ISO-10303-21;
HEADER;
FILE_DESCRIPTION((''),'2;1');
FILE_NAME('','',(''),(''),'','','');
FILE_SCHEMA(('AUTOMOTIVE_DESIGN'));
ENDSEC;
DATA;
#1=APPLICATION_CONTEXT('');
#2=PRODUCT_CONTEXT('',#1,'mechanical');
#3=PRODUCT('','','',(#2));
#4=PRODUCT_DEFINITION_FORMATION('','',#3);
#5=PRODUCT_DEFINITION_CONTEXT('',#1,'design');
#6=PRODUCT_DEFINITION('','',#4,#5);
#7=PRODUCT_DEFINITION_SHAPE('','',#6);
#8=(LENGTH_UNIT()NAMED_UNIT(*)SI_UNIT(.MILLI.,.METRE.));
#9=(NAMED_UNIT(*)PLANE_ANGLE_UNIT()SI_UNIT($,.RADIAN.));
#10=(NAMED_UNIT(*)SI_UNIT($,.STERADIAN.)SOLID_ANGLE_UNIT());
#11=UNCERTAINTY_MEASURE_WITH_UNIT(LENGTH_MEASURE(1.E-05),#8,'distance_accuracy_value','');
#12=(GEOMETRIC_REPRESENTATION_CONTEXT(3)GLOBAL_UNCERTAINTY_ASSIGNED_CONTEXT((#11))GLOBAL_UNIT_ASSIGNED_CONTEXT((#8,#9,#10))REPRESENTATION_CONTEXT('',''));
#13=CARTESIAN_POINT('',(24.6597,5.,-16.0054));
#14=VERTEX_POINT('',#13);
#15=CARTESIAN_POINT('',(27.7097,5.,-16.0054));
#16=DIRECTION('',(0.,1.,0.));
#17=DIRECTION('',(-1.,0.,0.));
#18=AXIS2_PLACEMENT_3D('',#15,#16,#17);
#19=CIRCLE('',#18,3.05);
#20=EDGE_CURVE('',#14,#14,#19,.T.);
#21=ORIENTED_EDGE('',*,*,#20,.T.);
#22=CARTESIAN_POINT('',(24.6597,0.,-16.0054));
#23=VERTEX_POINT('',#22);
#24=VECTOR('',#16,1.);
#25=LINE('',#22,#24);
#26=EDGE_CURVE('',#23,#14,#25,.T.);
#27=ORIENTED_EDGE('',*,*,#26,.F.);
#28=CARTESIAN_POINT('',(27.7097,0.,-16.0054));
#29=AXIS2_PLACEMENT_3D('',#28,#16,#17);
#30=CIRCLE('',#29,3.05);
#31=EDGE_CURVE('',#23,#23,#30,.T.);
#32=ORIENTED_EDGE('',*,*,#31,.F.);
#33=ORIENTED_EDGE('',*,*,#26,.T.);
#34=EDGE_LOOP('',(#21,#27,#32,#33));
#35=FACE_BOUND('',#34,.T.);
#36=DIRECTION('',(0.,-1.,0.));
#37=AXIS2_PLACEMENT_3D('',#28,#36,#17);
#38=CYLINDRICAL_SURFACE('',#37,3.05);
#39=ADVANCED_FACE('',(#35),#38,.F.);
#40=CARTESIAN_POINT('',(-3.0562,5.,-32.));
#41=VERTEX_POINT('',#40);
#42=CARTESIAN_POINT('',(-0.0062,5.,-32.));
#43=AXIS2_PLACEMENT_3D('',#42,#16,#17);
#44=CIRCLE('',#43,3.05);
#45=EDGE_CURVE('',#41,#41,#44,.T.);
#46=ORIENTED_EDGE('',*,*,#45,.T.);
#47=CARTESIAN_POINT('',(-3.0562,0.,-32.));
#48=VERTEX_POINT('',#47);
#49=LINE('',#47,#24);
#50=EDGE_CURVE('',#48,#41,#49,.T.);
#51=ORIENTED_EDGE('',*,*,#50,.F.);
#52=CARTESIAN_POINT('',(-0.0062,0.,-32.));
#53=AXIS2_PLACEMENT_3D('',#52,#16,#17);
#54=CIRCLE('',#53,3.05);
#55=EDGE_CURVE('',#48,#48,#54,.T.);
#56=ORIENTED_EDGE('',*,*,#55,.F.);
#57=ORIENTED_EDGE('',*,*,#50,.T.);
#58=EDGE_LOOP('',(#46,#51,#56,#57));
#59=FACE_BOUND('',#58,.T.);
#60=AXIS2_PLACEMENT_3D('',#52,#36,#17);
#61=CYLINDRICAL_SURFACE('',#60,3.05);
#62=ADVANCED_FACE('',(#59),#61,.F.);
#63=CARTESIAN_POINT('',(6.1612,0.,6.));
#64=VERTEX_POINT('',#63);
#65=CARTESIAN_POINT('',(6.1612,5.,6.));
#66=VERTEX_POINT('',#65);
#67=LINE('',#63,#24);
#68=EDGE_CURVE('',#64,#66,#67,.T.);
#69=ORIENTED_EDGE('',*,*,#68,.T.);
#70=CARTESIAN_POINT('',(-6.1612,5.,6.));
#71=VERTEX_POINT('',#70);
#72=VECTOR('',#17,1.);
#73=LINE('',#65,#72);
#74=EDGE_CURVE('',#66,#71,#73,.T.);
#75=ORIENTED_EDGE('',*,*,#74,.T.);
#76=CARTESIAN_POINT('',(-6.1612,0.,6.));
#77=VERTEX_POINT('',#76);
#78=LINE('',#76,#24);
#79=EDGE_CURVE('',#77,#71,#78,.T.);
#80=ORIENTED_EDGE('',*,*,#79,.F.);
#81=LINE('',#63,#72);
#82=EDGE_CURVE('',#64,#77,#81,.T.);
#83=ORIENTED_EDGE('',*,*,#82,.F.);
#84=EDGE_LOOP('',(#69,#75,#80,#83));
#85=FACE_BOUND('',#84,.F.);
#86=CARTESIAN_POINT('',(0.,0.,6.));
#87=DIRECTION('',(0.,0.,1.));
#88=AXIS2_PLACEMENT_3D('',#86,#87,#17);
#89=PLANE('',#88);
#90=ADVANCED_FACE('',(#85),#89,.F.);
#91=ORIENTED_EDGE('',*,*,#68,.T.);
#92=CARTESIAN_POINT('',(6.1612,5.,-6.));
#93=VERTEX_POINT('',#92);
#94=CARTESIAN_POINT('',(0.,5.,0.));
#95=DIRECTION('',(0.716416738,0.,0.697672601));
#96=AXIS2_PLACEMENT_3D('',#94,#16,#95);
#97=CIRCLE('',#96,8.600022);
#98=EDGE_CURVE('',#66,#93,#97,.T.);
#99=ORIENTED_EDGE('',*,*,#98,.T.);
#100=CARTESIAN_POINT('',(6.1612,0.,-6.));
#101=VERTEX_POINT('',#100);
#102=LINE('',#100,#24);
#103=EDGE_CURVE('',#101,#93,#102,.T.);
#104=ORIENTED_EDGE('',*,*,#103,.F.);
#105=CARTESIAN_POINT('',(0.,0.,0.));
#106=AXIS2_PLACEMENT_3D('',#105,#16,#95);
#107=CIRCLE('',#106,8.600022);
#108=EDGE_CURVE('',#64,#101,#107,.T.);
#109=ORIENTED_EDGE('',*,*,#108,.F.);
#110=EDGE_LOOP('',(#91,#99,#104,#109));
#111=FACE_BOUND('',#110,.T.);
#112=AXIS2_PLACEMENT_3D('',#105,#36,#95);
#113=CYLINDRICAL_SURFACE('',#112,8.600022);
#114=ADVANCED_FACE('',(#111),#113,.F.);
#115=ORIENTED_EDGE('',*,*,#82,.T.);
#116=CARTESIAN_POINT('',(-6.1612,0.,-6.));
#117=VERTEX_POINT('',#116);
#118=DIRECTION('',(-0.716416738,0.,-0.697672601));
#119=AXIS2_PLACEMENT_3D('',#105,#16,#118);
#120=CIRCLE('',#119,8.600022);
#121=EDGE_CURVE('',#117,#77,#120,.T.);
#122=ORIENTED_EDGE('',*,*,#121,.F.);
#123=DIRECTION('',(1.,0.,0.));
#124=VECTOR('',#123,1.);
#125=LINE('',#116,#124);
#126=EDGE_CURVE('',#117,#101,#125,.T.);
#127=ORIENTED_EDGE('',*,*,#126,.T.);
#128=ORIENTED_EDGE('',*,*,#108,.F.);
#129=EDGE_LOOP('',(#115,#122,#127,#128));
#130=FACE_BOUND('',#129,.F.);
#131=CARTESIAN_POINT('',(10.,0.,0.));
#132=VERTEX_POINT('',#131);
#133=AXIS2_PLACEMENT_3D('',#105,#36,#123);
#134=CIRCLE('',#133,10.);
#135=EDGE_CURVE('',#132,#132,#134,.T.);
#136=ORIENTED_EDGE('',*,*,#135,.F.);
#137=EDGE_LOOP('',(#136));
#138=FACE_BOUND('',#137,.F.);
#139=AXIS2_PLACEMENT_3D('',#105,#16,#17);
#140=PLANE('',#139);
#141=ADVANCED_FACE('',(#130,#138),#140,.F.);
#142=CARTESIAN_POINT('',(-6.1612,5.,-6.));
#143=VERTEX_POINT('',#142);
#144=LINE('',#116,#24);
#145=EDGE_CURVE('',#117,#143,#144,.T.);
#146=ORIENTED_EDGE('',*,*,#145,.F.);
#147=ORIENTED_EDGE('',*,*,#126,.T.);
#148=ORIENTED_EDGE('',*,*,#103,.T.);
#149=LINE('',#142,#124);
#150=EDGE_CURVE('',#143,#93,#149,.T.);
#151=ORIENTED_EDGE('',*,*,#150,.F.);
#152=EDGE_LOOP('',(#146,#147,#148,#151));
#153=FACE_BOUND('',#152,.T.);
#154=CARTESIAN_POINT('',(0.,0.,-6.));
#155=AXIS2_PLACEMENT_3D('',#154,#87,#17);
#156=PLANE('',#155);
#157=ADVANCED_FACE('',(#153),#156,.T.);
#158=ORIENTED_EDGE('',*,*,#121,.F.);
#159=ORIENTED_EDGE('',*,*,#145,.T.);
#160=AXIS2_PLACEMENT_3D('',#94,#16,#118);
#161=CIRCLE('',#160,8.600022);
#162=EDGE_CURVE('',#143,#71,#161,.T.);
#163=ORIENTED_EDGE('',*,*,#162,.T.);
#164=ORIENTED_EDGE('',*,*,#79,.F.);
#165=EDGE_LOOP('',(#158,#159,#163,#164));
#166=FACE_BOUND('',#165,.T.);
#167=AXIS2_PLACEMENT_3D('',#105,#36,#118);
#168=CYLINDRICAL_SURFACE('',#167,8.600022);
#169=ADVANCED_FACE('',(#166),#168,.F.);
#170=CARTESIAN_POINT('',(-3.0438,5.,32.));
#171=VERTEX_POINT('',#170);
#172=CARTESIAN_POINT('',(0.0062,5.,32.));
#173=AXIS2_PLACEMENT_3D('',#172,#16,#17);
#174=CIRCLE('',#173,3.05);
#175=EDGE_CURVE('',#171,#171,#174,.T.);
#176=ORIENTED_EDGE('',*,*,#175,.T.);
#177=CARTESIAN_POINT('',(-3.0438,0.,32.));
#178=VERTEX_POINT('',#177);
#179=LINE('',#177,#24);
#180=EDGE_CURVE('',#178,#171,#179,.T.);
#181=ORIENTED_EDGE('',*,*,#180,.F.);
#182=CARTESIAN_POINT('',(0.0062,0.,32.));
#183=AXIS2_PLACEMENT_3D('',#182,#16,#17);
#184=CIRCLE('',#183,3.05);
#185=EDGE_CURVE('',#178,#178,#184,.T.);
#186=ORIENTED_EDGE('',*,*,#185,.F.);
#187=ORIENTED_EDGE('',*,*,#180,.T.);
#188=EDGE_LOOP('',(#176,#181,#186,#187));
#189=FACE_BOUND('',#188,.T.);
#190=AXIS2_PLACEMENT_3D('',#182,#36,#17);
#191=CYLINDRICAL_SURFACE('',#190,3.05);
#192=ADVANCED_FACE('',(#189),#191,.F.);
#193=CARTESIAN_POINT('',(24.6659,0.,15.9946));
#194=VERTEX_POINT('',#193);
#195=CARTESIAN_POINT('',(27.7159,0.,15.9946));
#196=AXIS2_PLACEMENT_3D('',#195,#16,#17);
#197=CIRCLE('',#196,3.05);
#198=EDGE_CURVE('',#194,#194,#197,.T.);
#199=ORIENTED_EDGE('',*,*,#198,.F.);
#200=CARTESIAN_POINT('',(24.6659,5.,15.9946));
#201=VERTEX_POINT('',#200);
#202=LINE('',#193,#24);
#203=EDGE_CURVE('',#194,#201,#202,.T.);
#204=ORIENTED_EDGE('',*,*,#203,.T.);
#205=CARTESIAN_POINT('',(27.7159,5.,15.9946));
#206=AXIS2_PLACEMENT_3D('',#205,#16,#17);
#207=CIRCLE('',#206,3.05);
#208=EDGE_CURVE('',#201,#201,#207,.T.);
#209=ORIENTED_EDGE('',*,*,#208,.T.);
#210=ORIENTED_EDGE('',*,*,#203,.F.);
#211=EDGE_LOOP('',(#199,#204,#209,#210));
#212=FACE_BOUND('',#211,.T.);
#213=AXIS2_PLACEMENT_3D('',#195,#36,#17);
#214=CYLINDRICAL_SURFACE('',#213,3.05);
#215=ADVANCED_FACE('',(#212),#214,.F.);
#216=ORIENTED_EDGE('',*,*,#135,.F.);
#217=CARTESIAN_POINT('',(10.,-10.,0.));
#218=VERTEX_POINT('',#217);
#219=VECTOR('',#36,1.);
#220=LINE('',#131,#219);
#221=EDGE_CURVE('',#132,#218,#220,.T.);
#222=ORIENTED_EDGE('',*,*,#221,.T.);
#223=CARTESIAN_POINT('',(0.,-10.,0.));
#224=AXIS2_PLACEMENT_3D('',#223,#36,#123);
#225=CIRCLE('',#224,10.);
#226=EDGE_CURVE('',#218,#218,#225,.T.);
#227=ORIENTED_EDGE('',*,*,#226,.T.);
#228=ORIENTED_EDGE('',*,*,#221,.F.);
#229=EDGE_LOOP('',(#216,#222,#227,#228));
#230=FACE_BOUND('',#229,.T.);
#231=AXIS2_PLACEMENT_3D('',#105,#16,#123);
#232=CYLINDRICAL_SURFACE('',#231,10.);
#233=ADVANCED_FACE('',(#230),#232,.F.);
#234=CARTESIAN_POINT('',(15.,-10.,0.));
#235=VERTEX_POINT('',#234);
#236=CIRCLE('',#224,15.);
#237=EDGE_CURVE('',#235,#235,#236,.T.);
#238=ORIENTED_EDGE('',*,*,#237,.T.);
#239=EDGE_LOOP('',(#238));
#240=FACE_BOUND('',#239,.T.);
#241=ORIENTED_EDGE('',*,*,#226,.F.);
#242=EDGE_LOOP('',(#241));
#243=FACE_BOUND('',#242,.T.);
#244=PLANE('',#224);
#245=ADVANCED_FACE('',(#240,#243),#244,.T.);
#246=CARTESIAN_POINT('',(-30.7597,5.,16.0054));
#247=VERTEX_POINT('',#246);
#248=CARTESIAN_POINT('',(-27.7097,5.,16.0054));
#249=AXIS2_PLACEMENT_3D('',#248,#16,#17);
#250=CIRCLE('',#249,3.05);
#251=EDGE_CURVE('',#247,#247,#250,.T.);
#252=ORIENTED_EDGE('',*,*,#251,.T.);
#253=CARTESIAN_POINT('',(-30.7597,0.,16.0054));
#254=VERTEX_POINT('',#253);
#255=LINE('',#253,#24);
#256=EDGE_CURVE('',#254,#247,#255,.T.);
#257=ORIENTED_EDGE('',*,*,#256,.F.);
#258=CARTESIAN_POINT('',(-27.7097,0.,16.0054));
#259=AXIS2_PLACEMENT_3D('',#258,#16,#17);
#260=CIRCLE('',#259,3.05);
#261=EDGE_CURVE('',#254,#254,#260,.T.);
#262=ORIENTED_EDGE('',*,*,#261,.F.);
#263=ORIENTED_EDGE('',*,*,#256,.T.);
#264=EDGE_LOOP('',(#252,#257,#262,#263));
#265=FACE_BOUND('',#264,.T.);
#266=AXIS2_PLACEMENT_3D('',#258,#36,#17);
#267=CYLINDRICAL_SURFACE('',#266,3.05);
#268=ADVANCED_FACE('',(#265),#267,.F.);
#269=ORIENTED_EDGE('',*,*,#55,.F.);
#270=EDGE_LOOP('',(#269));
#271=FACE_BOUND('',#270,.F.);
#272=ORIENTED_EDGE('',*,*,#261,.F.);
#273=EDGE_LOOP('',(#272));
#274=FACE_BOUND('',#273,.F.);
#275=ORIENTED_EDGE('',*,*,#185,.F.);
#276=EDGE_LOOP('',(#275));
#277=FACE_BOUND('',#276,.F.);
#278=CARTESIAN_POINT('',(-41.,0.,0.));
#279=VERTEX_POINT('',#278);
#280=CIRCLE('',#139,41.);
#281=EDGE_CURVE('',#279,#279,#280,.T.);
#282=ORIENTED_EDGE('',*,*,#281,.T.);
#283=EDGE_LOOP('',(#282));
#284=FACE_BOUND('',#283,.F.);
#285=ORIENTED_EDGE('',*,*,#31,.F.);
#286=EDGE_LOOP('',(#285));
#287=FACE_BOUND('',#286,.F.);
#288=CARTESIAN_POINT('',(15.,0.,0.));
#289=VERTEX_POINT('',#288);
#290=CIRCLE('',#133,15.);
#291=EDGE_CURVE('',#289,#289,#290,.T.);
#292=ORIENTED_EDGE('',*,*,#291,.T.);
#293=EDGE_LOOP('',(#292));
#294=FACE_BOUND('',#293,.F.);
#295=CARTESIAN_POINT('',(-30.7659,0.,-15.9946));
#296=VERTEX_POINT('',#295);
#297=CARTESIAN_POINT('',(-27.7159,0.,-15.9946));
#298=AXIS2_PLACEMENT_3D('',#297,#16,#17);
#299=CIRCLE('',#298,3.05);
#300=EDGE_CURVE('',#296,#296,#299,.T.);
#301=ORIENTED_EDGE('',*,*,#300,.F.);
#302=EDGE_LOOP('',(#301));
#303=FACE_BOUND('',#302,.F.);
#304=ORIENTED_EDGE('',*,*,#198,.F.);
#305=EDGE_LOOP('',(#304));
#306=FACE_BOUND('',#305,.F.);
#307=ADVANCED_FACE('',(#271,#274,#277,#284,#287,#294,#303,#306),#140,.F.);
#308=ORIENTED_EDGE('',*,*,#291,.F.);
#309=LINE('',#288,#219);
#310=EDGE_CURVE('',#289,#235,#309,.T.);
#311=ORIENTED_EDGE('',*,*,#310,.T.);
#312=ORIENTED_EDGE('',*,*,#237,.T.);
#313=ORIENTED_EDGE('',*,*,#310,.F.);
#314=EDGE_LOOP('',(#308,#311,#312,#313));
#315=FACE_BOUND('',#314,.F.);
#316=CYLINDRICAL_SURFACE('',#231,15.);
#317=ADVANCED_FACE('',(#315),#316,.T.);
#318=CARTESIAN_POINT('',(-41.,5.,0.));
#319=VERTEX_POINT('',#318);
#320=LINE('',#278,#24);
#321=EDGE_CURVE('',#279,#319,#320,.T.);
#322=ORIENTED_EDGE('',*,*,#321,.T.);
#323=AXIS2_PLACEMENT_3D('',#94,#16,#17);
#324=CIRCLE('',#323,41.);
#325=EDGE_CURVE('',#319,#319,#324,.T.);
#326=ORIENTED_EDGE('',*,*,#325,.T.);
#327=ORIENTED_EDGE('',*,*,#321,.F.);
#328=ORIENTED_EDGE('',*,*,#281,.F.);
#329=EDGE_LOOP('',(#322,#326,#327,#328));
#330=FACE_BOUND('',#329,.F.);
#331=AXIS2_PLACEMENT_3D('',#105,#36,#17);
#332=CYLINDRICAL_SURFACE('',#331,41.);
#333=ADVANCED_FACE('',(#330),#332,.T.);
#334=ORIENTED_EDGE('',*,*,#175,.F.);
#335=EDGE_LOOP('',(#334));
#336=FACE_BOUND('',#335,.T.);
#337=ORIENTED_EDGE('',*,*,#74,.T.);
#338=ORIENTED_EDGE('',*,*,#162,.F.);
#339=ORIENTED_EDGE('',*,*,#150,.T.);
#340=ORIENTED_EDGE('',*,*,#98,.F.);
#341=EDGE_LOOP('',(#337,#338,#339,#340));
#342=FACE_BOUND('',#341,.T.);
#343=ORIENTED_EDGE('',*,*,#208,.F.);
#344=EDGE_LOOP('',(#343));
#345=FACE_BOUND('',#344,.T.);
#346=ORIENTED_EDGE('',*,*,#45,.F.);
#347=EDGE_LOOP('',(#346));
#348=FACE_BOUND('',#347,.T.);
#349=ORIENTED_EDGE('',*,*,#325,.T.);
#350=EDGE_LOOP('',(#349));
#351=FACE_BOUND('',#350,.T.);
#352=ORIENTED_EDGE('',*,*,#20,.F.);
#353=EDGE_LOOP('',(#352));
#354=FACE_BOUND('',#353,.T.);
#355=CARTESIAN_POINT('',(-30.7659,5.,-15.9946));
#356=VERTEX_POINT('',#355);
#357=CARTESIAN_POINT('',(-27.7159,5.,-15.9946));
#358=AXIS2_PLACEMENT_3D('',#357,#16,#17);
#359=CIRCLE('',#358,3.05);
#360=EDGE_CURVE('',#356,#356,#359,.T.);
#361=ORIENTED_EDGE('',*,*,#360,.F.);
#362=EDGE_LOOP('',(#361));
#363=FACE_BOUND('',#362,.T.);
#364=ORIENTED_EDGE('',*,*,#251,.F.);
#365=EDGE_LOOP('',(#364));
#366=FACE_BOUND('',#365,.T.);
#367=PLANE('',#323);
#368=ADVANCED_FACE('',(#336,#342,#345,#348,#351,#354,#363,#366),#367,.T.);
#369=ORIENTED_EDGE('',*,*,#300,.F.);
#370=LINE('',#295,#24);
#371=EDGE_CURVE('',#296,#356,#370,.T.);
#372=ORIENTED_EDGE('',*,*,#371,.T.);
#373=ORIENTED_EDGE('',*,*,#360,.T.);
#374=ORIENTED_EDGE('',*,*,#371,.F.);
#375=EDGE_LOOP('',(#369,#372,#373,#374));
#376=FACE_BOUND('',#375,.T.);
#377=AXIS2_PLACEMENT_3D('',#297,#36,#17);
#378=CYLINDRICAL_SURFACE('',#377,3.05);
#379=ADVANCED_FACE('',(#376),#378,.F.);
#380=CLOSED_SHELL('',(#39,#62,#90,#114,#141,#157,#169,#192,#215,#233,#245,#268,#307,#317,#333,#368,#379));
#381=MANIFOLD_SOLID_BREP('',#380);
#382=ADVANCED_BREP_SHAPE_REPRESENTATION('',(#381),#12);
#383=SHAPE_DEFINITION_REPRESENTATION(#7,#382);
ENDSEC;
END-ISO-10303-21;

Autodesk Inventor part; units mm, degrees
ref_plane "YZ Plane" through (0, 0, 0) normal (1, 0, 0) x (0, 1, 0)
ref_plane "XZ Plane" through (0, 0, 0) normal (0, 1, 0) x (-1, 0, 0)
ref_plane "XY Plane" through (0, 0, 0) normal (0, 0, 1) x (1, 0, 0)
sketch "Sketch1" plane through (0, 0, 0) normal (0, 1, 0) x (-1, 0, 0)
  circle A0 centre (0, 0) radius 41
  circle A1 centre (-0.0062, 32) radius 3.05
  circle A2 centre (0.0062, -32) radius 3.05
  circle A3 centre (27.7097, 16.0054) radius 3.05
  circle A4 centre (27.7159, -15.9946) radius 3.05
  circle A5 centre (-27.7097, -16.0054) radius 3.05
  circle A6 centre (-27.7159, 15.9946) radius 3.05
  line L0 (-6.0019, -5.8408) -> (6.0022, 5.8411) construction
  line L1 (0, 0) -> (0, 0)
  line L2 (0, -6) -> (6.1612, -6)
  line L3 (-6.1612, 6) -> (0, 6)
  line L4 (6.1612, -6) -> (-6.1612, -6)
  line L5 (-6.1612, 6) -> (6.1612, 6)
  arc A7 (6.1612, -6) -> (6.1612, 6) centre (0, 0) ccw
  arc A8 (-6.1612, 6) -> (-6.1612, -6) centre (0, 0) ccw
  dimension "d0" = 82
  dimension "d6" = 6.1
  dimension "d32" = 12
  dimension "d34" = 17.2
  dimension "d35" = 60
  dimension "d36" = 32
  dimension "d37" = 32
  dimension "d38" = 60
  dimension "d39" = 60
  dimension "d40" = 60
  dimension "d41" = 60
  dimension "d43" = 32
  dimension "d44" = 32
  dimension "d45" = 32
  dimension "d46" = 32
  dimension "d47" = 60
  dimension "d50" = 6.1
  dimension "d51" = 6.1
  dimension "d52" = 6.1
  dimension "d53" = 6.1
  dimension "d54" = 6.1
extrude "Extrusion3" add sketch "Sketch1" along normal blind 5
sketch "Sketch2" plane through (0, 0, 0) normal (0, -1, 0) x (1, 0, 0)
  circle A0 centre (0, 0) radius 41 projected
  circle A1 centre (0, 0) radius 10
  circle A2 centre (0, 0) radius 15
  dimension "d55" = 20
  dimension "d56" = 30
extrude "Extrusion4" add sketch "Sketch2" along normal blind 10 contours A2
properties part number "MotorHub"
